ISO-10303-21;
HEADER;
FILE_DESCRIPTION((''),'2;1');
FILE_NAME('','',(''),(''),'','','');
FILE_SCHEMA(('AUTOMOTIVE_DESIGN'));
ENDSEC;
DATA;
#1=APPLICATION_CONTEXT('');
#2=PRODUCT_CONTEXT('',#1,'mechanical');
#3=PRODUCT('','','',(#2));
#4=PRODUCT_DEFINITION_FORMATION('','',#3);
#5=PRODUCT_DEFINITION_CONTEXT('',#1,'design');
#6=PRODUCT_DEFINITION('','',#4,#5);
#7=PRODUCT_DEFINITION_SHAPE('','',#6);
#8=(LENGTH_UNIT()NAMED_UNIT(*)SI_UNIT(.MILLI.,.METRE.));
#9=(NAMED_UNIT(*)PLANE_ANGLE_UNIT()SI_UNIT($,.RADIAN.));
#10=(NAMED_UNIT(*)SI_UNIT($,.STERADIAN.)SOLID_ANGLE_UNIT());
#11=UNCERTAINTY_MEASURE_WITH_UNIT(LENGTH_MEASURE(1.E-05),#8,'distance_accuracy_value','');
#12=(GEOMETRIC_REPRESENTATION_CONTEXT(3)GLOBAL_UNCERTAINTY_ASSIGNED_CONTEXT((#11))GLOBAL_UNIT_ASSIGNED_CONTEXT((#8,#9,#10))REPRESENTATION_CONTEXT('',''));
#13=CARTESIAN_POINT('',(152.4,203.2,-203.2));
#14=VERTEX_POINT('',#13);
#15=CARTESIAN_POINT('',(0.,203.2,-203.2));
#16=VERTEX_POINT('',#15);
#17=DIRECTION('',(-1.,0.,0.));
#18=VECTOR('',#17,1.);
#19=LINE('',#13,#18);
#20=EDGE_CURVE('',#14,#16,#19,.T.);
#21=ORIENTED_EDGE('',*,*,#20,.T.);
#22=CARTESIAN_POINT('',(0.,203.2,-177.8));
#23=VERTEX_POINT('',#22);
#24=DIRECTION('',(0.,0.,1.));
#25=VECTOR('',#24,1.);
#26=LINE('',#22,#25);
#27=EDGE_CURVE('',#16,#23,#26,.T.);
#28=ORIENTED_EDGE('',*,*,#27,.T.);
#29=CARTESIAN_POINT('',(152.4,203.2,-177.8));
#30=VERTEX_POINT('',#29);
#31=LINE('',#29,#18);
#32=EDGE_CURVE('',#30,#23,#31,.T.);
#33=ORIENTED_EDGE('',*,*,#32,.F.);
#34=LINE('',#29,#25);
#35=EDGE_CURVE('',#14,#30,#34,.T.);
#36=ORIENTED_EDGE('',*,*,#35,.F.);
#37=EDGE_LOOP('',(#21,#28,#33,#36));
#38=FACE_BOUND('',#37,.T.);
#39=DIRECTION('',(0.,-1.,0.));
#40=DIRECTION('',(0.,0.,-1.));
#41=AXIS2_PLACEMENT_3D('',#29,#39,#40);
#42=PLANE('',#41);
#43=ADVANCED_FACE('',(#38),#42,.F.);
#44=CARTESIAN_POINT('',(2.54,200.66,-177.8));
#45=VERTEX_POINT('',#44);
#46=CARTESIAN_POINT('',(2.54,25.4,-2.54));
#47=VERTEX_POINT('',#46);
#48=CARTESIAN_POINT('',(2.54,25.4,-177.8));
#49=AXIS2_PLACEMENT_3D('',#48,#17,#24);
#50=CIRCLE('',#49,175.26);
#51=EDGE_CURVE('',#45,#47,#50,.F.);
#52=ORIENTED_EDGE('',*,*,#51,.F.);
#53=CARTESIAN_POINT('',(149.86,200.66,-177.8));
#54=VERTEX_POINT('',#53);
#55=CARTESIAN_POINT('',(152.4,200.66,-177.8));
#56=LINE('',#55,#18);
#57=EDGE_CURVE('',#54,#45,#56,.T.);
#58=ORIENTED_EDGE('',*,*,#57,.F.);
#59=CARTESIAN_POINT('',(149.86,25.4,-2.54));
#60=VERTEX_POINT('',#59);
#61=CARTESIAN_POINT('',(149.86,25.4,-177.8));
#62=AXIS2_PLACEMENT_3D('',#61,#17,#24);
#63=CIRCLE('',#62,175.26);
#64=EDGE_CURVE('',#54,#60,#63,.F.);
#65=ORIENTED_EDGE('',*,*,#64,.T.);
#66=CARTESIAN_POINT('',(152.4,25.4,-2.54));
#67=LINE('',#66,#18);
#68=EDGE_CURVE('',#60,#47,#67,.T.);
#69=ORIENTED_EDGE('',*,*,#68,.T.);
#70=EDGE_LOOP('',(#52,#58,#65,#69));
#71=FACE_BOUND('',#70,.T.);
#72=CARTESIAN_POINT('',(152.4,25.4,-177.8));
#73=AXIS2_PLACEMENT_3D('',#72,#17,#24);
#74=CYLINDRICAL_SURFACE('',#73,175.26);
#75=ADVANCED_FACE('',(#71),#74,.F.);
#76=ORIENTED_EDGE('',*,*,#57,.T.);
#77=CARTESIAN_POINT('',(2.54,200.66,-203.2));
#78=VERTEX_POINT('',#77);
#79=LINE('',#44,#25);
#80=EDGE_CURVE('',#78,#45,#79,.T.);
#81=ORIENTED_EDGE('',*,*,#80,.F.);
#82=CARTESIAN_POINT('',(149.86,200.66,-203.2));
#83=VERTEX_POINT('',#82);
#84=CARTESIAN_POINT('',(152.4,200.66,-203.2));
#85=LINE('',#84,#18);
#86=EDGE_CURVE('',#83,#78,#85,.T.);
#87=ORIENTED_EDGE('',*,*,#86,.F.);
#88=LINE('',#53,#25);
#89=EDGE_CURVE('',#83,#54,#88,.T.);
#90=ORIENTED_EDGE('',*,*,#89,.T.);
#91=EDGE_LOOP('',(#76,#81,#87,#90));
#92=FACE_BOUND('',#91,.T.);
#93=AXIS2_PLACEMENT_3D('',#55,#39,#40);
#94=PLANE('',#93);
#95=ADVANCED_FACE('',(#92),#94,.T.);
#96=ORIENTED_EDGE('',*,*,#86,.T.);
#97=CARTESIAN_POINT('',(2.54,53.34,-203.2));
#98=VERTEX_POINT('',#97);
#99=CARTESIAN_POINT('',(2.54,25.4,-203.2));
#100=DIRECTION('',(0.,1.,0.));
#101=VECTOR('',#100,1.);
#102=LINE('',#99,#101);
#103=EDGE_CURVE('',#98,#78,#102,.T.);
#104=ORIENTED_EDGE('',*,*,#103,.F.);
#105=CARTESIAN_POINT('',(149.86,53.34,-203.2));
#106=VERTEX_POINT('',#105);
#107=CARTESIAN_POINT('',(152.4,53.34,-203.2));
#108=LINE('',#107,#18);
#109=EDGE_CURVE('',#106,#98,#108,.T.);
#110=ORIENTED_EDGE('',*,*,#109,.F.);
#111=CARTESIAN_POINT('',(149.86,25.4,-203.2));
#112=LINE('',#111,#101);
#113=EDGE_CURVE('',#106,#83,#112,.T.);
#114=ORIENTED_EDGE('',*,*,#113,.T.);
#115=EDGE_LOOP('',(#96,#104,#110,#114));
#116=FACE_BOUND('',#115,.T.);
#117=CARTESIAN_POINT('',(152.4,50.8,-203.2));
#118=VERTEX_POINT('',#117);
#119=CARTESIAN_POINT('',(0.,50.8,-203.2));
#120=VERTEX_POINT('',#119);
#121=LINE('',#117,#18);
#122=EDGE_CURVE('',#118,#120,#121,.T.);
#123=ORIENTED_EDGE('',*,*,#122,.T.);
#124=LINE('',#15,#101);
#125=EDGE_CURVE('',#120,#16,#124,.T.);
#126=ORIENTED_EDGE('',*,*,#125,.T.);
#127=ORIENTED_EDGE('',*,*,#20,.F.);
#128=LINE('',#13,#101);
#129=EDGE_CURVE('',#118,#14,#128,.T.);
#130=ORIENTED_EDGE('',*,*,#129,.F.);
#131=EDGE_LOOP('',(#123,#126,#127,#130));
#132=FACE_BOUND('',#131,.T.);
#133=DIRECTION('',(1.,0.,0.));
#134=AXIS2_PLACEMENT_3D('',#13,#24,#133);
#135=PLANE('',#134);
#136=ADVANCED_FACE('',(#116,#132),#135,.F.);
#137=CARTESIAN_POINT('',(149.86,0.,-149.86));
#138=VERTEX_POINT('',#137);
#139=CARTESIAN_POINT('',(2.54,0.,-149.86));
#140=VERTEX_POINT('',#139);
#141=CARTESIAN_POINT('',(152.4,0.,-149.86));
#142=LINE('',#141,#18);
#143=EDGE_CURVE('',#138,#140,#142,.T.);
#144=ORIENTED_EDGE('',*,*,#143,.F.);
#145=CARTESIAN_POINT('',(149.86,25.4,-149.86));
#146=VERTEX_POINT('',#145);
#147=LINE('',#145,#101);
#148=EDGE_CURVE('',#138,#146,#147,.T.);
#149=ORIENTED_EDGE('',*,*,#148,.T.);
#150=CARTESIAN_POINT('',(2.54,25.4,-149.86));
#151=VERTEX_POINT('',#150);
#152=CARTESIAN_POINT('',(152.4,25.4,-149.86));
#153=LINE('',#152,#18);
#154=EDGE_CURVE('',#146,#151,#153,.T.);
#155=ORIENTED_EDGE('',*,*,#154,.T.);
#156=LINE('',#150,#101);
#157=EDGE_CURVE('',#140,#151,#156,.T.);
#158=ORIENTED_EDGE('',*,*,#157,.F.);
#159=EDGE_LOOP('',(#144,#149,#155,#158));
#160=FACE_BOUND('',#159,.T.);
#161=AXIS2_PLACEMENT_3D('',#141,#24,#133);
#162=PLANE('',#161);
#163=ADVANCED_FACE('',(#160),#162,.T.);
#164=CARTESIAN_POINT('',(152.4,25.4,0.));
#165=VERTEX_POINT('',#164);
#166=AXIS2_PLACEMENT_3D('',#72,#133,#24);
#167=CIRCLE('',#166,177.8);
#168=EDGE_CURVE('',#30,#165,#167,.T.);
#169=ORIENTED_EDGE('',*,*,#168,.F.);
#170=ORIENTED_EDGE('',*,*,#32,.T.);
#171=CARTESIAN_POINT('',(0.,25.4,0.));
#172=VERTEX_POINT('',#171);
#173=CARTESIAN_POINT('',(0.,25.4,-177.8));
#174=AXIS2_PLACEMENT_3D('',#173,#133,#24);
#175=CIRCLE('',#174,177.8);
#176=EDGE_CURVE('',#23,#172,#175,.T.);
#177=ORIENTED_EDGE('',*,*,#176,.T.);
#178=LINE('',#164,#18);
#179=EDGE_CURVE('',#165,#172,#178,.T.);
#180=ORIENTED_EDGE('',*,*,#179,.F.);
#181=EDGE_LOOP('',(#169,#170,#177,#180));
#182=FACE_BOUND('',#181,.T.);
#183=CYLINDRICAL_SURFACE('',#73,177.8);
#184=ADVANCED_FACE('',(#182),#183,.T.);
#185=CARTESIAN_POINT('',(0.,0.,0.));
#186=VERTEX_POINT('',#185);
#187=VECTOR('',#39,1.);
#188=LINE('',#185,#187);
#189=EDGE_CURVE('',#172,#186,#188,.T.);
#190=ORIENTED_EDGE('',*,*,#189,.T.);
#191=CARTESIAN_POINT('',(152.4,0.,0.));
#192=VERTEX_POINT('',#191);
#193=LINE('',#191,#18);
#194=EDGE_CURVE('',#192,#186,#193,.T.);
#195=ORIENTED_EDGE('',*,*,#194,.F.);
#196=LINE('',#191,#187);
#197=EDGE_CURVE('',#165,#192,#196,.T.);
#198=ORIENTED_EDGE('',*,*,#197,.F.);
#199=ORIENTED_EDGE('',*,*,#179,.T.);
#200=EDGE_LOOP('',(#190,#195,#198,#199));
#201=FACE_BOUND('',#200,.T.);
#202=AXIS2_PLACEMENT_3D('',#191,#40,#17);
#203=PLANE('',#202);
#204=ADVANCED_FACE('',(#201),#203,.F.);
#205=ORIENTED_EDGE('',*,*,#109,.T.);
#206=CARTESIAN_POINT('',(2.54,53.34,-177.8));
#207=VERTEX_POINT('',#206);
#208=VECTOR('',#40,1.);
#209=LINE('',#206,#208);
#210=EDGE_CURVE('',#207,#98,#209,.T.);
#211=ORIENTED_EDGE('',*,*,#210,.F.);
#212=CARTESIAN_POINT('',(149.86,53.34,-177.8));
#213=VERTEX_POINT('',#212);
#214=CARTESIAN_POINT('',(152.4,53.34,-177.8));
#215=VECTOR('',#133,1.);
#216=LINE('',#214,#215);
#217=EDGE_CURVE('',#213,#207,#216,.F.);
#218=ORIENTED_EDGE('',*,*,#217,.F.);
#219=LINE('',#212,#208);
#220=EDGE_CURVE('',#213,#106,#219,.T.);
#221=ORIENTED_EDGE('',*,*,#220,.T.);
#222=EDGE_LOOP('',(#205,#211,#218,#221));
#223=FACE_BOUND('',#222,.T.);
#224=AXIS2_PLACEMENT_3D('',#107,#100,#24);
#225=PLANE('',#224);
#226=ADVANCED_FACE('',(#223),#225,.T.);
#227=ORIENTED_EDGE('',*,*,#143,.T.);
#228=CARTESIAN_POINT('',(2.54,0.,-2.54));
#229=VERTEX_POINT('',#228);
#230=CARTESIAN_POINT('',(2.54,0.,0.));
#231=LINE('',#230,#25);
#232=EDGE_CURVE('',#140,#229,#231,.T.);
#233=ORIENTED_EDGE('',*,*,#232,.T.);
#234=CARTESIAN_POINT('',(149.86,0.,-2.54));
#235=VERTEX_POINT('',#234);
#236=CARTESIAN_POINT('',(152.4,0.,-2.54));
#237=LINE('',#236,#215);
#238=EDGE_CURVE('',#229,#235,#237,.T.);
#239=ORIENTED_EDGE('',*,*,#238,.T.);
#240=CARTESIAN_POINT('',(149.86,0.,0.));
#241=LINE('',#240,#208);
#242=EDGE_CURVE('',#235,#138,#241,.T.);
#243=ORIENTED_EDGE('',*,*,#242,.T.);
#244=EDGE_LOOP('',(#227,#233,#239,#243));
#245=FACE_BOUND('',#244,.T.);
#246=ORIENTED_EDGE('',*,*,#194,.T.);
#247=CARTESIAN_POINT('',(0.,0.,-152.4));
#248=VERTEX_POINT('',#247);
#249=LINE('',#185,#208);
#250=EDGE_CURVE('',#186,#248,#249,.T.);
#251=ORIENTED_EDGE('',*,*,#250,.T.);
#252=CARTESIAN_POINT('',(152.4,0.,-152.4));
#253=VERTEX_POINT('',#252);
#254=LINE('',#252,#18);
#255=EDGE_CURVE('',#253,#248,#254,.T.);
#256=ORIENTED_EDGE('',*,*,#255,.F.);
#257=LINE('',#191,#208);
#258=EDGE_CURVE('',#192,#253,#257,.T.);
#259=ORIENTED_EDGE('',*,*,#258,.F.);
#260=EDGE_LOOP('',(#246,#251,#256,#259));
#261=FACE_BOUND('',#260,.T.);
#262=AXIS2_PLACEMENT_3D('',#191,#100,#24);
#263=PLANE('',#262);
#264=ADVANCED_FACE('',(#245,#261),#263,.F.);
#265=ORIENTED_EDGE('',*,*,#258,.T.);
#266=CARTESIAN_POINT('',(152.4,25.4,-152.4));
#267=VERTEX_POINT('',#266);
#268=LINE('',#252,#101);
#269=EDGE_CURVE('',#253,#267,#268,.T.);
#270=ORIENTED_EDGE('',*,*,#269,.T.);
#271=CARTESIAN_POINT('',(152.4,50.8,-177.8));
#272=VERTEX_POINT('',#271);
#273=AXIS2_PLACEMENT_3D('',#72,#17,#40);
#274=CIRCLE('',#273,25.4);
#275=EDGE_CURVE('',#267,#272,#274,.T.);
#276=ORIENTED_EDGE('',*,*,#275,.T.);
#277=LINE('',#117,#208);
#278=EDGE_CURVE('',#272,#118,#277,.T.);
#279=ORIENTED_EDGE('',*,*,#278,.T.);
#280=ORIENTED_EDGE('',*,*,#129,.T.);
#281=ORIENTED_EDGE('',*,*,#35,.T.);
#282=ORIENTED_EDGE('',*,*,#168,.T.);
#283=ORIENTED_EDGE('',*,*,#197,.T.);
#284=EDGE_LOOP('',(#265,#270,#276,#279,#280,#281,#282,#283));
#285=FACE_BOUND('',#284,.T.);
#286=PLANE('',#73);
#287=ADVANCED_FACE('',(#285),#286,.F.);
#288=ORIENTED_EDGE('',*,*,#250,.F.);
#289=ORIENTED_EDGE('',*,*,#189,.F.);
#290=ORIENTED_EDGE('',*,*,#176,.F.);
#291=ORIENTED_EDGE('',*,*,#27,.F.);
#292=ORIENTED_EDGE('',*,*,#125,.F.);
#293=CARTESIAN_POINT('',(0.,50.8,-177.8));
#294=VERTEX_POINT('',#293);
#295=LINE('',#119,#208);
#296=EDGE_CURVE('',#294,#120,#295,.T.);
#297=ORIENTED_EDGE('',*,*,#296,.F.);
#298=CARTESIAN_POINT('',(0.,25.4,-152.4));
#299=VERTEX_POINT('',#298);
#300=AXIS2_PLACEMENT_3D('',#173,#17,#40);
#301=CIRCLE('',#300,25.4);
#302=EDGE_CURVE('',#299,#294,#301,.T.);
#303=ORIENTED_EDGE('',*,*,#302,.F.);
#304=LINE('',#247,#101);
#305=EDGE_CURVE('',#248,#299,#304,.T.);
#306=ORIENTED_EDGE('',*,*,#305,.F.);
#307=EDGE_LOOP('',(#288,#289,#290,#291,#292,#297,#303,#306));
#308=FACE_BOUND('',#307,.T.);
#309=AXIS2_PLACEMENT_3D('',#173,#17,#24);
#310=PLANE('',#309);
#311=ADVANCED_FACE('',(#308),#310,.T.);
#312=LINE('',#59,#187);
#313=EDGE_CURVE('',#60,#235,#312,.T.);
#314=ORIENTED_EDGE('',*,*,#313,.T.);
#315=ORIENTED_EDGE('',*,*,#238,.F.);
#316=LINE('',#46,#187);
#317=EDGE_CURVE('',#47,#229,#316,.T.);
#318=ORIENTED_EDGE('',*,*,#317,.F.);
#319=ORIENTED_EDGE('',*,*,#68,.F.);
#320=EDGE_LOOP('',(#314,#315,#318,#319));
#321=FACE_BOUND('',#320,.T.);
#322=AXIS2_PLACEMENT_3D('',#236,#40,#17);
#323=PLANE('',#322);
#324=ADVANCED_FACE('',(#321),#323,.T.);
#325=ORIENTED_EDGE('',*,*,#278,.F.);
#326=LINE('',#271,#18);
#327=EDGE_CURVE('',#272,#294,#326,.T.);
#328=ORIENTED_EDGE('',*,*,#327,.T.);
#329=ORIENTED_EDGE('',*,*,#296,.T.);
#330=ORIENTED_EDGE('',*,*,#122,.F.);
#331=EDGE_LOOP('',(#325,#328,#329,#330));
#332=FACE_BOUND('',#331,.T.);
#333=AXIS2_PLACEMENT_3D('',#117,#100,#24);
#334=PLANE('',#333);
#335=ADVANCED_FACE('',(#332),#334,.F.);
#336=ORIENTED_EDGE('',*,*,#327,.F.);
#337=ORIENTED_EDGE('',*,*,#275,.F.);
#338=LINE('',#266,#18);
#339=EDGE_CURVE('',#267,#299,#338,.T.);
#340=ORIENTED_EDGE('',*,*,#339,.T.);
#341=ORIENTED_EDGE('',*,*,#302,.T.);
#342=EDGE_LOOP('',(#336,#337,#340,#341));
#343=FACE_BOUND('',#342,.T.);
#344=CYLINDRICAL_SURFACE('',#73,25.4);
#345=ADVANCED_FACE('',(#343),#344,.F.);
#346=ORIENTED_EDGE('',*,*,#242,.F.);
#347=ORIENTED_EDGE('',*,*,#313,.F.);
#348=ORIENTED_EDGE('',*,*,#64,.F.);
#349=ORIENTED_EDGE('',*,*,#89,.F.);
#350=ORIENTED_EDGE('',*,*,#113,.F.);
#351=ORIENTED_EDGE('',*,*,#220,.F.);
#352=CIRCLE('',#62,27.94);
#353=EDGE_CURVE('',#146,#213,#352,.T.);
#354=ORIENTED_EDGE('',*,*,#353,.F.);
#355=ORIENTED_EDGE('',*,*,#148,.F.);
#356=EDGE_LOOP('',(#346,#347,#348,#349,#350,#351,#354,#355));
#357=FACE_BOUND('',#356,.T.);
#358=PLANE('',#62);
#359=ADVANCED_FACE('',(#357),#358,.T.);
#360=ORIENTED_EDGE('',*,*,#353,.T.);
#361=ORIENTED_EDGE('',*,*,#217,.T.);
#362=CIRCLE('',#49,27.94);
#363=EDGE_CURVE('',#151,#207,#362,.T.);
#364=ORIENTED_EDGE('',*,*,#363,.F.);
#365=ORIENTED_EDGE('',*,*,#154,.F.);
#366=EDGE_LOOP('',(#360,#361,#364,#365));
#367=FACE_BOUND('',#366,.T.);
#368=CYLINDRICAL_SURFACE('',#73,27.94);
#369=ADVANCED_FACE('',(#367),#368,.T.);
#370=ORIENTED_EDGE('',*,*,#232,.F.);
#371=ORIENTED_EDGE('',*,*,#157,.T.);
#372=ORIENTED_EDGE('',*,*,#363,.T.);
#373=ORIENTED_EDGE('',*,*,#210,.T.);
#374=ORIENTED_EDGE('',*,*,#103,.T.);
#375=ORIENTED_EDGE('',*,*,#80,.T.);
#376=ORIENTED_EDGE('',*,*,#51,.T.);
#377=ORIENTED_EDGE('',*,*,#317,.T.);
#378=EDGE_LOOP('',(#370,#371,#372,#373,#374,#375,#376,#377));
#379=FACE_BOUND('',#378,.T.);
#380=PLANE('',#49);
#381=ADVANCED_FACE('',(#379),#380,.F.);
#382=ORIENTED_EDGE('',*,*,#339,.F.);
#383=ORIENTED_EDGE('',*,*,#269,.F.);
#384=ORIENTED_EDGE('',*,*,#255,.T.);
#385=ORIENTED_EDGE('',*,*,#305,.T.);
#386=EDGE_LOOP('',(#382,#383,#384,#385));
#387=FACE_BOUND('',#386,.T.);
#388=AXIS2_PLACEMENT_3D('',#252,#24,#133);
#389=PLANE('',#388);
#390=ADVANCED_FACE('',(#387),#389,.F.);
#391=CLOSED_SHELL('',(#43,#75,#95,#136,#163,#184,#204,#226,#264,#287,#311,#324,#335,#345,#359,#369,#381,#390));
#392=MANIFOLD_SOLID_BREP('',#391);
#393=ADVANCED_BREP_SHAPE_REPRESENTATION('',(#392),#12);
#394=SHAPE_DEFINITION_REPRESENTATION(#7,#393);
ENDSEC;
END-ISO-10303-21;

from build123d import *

# Parameters (mm, degrees)
BOSS_EXTRUDE1_DEPTH = 152.4
SHELL1_T            = -2.54
SKETCH2_W           = 147.32
SKETCH2_H           = 147.32
CUT_EXTRUDE2_DEPTH  = 152.4


with BuildPart() as part:
    # Sketch1 → Boss-Extrude1 (new body)
    with BuildSketch(Plane(origin=(0, 0, 0), x_dir=(0, 0, -1), z_dir=(1, 0, 0))):
        with BuildLine():
            Line((0, 0), (152.4, 0))
            Line((152.4, 0), (152.4, 25.4))
            ThreePointArc((152.4, 25.4), (159.839487758, 43.360512242), (177.8, 50.8))
            Line((177.8, 50.8), (203.2, 50.8))
            Line((203.2, 50.8), (203.2, 203.2))
            Line((203.2, 203.2), (177.8, 203.2))
            ThreePointArc((177.8, 203.2), (52.076414305, 151.123585695), (0, 25.4))
            Line((0, 25.4), (0, 0))
        make_face()
    extrude(amount=BOSS_EXTRUDE1_DEPTH)

    # Shell1
    shell1_openings = [part.faces().sort_by_distance(p)[0] for p in [
        (76.2, 127, -203.2),
    ]]
    offset(amount=SHELL1_T, openings=shell1_openings, kind=Kind.INTERSECTION)

    # Sketch2 → Cut-Extrude2 (cut)
    with BuildSketch(Plane(origin=(0, 2.54, 0), x_dir=(1, 0, 0), z_dir=(0, 1, 0))):
        with Locations((76.2, 76.2)):
            Rectangle(SKETCH2_W, SKETCH2_H)
    extrude(amount=-CUT_EXTRUDE2_DEPTH, mode=Mode.SUBTRACT)


solid = part.part
